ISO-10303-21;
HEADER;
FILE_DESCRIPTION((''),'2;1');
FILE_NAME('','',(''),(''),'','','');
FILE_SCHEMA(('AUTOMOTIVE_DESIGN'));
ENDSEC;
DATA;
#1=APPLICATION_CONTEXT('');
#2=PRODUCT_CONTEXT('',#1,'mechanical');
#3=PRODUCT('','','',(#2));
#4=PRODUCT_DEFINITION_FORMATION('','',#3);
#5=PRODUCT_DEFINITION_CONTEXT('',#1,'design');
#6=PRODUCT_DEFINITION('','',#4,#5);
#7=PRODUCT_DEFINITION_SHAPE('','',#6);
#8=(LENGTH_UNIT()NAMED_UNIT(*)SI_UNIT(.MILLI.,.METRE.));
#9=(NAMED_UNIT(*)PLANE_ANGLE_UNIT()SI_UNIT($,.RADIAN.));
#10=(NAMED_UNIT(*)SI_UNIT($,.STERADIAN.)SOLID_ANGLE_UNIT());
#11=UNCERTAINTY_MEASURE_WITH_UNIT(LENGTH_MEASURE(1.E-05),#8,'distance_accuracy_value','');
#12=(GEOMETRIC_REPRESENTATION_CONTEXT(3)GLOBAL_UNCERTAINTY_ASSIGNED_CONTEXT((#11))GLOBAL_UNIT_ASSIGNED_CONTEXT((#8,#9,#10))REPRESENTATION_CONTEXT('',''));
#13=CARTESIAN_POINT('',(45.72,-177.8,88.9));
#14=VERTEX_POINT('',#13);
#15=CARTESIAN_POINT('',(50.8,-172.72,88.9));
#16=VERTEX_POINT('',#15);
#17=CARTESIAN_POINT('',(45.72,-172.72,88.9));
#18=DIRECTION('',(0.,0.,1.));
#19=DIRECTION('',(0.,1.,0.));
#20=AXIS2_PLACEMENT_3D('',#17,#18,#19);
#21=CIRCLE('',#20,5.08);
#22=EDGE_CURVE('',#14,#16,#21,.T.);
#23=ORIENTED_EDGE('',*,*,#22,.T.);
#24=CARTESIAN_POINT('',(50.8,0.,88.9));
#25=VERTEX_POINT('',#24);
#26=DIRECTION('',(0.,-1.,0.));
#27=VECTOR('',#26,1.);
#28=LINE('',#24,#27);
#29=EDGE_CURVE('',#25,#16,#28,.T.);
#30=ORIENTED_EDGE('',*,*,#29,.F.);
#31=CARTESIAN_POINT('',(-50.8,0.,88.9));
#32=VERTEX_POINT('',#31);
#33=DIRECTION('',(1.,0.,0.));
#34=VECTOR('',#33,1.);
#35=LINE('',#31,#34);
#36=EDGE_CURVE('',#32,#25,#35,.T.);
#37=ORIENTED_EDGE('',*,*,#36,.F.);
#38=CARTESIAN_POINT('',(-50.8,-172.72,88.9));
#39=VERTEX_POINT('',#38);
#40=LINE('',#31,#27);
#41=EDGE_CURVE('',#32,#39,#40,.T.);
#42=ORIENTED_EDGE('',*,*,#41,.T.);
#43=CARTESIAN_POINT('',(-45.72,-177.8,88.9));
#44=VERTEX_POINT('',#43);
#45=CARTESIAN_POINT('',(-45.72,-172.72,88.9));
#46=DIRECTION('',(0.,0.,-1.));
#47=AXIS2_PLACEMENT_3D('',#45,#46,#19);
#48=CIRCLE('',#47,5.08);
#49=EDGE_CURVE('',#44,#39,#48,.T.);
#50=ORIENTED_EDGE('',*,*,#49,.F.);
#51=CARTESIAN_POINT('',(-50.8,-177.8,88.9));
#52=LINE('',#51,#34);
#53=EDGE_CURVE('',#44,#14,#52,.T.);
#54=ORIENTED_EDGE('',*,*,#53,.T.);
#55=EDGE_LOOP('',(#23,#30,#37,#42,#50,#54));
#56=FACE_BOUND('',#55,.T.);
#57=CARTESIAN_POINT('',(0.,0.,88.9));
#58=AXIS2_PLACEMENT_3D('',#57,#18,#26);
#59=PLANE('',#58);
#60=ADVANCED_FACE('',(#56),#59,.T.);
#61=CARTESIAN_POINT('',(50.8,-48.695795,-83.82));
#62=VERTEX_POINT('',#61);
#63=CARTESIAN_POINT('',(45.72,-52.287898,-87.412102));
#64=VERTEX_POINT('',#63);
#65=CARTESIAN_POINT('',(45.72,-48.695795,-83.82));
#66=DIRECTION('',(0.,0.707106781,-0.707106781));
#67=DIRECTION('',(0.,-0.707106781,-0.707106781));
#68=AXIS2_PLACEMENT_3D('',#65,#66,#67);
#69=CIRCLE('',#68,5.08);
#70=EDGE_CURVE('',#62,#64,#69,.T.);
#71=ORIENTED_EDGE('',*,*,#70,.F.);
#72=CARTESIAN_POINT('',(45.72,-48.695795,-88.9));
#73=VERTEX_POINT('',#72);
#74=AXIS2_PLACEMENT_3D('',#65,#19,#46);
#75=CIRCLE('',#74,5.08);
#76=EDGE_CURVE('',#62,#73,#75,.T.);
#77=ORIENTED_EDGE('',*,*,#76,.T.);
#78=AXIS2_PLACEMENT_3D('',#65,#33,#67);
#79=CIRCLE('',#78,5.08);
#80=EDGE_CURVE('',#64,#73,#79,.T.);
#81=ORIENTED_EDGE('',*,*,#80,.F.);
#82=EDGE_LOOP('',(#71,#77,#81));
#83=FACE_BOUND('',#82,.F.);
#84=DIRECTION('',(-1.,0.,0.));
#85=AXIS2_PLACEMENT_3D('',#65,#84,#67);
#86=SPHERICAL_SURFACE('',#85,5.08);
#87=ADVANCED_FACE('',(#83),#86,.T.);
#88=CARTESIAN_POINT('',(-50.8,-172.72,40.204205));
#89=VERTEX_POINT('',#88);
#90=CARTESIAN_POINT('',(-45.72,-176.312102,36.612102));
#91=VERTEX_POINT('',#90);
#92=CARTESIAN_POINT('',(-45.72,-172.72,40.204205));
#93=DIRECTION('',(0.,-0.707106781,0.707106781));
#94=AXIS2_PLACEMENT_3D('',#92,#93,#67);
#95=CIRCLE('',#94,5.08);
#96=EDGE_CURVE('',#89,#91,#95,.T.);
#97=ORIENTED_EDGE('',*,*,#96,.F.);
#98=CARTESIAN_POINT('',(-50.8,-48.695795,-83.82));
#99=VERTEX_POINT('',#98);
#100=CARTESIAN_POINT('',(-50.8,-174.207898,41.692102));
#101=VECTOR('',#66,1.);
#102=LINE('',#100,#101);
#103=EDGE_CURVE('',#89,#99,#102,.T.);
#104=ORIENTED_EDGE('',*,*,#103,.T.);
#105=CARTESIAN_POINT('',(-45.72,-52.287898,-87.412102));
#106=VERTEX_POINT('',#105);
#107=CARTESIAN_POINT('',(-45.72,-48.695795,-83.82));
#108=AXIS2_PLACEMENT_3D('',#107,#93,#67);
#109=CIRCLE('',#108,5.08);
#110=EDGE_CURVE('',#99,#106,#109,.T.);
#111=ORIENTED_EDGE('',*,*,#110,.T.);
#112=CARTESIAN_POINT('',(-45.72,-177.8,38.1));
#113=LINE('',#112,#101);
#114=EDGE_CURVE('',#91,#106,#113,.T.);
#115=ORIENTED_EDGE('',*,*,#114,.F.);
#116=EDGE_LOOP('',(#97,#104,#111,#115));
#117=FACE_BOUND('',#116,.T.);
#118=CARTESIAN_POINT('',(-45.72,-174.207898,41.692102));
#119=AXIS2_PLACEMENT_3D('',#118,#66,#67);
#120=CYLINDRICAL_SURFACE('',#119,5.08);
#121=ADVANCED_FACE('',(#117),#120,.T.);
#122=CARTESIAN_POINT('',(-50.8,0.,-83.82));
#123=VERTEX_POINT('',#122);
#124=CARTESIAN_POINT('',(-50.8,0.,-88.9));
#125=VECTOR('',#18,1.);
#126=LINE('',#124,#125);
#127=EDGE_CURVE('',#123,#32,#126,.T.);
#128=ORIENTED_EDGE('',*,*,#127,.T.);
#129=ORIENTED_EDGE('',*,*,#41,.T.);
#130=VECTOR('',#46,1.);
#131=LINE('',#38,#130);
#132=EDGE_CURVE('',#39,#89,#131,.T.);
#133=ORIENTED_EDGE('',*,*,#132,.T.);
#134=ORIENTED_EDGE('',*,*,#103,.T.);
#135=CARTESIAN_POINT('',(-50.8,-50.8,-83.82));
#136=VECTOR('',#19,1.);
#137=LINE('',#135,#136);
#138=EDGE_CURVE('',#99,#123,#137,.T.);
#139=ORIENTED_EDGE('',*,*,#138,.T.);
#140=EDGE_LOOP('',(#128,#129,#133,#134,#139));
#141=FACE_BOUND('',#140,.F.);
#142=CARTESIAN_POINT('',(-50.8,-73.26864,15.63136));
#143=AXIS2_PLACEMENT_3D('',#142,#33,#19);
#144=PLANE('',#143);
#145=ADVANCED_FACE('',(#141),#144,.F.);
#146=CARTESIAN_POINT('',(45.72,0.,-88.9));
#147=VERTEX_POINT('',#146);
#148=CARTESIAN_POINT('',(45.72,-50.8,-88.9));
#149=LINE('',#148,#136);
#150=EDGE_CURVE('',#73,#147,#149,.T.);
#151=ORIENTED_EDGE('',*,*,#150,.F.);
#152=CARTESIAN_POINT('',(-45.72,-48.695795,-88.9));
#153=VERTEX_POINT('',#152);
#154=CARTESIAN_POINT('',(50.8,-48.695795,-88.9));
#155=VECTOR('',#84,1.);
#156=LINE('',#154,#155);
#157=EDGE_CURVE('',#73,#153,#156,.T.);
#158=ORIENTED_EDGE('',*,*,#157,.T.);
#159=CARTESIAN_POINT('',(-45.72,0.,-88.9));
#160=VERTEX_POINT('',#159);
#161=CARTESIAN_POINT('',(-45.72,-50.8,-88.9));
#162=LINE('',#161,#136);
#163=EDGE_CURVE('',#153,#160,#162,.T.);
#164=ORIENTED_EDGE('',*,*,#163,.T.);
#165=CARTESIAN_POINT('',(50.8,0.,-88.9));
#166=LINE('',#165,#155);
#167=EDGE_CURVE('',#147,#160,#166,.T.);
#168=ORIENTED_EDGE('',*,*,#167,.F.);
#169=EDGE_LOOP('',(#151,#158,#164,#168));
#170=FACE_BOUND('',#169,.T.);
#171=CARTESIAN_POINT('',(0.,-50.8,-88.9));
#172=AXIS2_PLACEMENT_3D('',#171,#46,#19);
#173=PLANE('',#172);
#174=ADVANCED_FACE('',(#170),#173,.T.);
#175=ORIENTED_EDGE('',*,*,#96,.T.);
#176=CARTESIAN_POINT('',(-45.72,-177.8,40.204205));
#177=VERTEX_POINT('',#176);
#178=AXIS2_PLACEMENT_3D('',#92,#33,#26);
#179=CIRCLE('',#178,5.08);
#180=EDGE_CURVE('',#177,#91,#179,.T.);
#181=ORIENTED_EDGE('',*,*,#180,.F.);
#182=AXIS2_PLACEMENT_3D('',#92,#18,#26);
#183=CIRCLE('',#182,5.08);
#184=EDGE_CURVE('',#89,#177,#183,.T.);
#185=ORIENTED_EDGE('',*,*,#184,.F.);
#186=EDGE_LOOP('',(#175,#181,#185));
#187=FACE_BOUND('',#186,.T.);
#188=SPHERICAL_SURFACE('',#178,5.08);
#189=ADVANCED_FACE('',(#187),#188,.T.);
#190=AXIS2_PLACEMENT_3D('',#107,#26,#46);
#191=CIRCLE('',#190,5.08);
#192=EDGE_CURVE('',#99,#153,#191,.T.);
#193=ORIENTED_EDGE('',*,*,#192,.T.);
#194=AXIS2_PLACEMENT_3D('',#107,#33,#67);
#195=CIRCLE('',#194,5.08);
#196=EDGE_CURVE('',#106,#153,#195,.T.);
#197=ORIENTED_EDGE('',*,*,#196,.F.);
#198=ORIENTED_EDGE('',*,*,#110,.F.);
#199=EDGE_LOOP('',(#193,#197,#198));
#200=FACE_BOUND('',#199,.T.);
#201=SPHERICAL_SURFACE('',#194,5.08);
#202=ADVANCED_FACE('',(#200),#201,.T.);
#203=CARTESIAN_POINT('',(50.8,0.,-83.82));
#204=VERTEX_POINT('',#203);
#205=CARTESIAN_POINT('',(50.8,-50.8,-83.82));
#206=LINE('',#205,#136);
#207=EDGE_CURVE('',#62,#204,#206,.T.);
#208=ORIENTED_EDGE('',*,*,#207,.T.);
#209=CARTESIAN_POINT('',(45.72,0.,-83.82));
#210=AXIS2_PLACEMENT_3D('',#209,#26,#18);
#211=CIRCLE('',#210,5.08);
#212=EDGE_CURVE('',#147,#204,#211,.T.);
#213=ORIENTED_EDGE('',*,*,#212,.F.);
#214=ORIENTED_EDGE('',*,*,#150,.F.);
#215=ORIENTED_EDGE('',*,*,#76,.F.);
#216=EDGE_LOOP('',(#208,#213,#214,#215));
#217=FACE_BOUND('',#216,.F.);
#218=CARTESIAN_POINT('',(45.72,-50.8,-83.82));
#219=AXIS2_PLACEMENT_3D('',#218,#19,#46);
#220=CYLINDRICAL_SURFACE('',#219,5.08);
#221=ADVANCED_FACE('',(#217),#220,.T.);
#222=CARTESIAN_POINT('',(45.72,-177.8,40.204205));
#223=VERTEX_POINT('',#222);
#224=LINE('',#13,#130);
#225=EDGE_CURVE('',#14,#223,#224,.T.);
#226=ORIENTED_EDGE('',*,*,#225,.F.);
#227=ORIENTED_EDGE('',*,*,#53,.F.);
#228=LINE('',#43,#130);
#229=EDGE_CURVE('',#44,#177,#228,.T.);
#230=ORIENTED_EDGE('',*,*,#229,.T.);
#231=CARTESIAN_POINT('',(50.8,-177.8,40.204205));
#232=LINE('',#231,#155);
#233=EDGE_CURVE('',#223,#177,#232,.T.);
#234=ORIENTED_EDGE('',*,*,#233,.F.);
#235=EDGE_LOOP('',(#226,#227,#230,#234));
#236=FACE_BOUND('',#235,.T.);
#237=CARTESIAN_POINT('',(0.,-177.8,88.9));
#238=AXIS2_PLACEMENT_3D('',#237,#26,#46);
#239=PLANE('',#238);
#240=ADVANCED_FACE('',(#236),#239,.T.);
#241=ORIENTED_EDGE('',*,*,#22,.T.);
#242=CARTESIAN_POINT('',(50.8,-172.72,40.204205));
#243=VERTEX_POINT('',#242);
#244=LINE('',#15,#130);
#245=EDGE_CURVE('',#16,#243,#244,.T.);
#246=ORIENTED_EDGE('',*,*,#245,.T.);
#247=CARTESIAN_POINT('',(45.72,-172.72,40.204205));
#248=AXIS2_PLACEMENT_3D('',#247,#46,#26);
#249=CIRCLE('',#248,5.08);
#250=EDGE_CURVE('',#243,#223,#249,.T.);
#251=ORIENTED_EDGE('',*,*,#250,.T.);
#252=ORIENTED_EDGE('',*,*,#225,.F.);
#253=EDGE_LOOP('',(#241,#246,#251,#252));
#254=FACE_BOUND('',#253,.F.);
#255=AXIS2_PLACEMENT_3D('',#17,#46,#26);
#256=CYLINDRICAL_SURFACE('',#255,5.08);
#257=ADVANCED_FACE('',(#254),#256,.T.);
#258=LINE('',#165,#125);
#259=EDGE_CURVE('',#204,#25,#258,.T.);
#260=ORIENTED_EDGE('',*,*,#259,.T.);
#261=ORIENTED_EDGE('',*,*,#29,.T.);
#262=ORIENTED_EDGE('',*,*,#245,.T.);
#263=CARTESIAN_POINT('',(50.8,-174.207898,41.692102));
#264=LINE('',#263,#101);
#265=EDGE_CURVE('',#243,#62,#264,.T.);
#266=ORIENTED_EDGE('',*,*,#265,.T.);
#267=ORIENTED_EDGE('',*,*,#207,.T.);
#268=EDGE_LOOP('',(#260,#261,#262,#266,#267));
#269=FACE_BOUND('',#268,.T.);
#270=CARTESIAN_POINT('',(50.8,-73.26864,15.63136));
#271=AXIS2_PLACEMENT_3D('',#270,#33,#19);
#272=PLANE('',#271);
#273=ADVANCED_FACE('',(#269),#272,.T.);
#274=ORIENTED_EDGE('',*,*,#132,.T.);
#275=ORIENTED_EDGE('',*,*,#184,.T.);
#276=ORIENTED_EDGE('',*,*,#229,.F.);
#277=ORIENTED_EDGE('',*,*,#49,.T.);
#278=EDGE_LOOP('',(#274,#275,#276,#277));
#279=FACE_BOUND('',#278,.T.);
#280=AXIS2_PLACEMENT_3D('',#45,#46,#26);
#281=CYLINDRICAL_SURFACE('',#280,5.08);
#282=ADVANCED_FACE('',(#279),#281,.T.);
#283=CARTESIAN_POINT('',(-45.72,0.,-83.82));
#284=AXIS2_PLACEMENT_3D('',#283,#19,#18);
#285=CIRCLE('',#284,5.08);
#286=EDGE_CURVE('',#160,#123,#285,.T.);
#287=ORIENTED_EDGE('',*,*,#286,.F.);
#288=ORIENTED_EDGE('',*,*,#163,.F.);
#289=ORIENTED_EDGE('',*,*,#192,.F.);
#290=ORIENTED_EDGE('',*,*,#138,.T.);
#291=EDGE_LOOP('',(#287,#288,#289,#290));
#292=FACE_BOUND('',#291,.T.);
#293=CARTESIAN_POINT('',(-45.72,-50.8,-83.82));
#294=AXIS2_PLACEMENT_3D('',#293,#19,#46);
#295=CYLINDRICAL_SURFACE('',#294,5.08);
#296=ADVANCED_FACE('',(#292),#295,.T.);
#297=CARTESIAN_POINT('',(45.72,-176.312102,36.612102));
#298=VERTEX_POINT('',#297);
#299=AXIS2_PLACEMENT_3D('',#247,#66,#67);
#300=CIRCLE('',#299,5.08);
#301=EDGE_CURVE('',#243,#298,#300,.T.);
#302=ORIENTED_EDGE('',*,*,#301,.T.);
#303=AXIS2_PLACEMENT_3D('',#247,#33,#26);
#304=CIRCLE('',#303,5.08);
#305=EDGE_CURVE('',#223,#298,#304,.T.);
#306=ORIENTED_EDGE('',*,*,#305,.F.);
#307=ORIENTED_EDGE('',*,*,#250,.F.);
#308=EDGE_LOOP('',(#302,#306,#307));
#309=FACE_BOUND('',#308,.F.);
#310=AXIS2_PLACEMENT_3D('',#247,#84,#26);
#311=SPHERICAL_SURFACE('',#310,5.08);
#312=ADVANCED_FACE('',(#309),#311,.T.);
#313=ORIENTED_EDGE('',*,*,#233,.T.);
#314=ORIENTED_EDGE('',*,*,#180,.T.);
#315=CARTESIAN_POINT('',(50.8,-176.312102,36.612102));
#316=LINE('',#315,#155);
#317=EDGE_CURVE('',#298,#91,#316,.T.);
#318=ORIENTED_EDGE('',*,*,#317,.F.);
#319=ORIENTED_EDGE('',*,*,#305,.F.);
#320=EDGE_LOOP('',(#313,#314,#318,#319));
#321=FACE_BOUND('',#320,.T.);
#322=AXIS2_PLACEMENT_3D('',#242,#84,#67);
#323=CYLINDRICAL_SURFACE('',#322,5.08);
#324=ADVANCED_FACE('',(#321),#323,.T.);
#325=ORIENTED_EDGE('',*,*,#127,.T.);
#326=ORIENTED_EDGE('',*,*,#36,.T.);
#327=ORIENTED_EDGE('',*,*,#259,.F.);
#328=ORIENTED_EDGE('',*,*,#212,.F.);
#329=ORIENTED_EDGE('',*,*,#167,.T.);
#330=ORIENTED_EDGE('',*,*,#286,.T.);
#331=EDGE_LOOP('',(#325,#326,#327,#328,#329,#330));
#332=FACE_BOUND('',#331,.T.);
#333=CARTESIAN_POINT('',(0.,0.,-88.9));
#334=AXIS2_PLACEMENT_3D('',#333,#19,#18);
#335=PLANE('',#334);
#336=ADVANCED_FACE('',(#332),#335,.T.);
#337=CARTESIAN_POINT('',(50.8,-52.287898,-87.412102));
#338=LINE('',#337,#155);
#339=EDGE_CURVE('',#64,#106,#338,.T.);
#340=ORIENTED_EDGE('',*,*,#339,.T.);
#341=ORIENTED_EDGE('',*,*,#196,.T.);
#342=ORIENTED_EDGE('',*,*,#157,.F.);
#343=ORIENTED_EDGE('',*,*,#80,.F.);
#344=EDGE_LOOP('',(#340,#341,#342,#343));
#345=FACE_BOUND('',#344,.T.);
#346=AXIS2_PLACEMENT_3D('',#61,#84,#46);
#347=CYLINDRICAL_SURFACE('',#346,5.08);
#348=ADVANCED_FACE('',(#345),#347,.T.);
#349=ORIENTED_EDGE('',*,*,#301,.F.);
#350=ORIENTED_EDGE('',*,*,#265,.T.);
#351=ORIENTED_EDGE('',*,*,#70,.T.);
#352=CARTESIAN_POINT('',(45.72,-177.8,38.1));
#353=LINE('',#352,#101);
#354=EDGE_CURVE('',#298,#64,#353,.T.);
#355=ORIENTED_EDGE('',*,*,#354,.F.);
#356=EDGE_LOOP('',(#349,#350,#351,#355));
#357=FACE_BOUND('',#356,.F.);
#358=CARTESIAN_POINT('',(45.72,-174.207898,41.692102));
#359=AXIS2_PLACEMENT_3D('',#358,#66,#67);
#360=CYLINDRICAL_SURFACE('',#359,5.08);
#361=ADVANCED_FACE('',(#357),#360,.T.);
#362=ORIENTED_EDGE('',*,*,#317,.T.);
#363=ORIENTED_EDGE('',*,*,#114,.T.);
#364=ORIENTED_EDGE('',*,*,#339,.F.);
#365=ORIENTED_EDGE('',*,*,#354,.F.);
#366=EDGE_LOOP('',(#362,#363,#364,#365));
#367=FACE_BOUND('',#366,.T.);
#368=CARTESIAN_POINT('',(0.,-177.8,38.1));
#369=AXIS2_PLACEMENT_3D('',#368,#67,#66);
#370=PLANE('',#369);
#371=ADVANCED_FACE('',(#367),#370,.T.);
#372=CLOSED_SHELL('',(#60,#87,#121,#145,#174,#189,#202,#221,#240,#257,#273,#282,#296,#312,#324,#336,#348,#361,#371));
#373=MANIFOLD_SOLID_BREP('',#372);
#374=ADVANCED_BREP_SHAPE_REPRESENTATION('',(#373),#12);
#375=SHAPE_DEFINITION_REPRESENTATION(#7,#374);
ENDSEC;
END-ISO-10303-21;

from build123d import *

# Parameters (mm, degrees)
F1_DEPTH = 50.8
F2_R     = 5.08


with BuildPart() as f1:
    # F0 (on Right) → F1 (new body, symmetric)
    with BuildSketch(Plane.YZ):
        Polygon((0, -88.9), (0, 88.9), (-177.8, 88.9), (-177.8, 38.1), (-50.8, -88.9), align=None)
    extrude(amount=F1_DEPTH, both=True)

    # F2
    f2_edges = [f1.edges().sort_by_distance(p)[0] for p in [
        (0, -177.8, 38.1),
        (0, -50.8, -88.9),
        (50.8, -177.8, 63.5),
        (50.8, -114.3, -25.4),
        (50.8, -25.4, -88.9),
        (-50.8, -177.8, 63.5),
        (-50.8, -114.3, -25.4),
        (-50.8, -25.4, -88.9),
    ]]
    fillet(f2_edges, radius=F2_R)


solid = f1.part
